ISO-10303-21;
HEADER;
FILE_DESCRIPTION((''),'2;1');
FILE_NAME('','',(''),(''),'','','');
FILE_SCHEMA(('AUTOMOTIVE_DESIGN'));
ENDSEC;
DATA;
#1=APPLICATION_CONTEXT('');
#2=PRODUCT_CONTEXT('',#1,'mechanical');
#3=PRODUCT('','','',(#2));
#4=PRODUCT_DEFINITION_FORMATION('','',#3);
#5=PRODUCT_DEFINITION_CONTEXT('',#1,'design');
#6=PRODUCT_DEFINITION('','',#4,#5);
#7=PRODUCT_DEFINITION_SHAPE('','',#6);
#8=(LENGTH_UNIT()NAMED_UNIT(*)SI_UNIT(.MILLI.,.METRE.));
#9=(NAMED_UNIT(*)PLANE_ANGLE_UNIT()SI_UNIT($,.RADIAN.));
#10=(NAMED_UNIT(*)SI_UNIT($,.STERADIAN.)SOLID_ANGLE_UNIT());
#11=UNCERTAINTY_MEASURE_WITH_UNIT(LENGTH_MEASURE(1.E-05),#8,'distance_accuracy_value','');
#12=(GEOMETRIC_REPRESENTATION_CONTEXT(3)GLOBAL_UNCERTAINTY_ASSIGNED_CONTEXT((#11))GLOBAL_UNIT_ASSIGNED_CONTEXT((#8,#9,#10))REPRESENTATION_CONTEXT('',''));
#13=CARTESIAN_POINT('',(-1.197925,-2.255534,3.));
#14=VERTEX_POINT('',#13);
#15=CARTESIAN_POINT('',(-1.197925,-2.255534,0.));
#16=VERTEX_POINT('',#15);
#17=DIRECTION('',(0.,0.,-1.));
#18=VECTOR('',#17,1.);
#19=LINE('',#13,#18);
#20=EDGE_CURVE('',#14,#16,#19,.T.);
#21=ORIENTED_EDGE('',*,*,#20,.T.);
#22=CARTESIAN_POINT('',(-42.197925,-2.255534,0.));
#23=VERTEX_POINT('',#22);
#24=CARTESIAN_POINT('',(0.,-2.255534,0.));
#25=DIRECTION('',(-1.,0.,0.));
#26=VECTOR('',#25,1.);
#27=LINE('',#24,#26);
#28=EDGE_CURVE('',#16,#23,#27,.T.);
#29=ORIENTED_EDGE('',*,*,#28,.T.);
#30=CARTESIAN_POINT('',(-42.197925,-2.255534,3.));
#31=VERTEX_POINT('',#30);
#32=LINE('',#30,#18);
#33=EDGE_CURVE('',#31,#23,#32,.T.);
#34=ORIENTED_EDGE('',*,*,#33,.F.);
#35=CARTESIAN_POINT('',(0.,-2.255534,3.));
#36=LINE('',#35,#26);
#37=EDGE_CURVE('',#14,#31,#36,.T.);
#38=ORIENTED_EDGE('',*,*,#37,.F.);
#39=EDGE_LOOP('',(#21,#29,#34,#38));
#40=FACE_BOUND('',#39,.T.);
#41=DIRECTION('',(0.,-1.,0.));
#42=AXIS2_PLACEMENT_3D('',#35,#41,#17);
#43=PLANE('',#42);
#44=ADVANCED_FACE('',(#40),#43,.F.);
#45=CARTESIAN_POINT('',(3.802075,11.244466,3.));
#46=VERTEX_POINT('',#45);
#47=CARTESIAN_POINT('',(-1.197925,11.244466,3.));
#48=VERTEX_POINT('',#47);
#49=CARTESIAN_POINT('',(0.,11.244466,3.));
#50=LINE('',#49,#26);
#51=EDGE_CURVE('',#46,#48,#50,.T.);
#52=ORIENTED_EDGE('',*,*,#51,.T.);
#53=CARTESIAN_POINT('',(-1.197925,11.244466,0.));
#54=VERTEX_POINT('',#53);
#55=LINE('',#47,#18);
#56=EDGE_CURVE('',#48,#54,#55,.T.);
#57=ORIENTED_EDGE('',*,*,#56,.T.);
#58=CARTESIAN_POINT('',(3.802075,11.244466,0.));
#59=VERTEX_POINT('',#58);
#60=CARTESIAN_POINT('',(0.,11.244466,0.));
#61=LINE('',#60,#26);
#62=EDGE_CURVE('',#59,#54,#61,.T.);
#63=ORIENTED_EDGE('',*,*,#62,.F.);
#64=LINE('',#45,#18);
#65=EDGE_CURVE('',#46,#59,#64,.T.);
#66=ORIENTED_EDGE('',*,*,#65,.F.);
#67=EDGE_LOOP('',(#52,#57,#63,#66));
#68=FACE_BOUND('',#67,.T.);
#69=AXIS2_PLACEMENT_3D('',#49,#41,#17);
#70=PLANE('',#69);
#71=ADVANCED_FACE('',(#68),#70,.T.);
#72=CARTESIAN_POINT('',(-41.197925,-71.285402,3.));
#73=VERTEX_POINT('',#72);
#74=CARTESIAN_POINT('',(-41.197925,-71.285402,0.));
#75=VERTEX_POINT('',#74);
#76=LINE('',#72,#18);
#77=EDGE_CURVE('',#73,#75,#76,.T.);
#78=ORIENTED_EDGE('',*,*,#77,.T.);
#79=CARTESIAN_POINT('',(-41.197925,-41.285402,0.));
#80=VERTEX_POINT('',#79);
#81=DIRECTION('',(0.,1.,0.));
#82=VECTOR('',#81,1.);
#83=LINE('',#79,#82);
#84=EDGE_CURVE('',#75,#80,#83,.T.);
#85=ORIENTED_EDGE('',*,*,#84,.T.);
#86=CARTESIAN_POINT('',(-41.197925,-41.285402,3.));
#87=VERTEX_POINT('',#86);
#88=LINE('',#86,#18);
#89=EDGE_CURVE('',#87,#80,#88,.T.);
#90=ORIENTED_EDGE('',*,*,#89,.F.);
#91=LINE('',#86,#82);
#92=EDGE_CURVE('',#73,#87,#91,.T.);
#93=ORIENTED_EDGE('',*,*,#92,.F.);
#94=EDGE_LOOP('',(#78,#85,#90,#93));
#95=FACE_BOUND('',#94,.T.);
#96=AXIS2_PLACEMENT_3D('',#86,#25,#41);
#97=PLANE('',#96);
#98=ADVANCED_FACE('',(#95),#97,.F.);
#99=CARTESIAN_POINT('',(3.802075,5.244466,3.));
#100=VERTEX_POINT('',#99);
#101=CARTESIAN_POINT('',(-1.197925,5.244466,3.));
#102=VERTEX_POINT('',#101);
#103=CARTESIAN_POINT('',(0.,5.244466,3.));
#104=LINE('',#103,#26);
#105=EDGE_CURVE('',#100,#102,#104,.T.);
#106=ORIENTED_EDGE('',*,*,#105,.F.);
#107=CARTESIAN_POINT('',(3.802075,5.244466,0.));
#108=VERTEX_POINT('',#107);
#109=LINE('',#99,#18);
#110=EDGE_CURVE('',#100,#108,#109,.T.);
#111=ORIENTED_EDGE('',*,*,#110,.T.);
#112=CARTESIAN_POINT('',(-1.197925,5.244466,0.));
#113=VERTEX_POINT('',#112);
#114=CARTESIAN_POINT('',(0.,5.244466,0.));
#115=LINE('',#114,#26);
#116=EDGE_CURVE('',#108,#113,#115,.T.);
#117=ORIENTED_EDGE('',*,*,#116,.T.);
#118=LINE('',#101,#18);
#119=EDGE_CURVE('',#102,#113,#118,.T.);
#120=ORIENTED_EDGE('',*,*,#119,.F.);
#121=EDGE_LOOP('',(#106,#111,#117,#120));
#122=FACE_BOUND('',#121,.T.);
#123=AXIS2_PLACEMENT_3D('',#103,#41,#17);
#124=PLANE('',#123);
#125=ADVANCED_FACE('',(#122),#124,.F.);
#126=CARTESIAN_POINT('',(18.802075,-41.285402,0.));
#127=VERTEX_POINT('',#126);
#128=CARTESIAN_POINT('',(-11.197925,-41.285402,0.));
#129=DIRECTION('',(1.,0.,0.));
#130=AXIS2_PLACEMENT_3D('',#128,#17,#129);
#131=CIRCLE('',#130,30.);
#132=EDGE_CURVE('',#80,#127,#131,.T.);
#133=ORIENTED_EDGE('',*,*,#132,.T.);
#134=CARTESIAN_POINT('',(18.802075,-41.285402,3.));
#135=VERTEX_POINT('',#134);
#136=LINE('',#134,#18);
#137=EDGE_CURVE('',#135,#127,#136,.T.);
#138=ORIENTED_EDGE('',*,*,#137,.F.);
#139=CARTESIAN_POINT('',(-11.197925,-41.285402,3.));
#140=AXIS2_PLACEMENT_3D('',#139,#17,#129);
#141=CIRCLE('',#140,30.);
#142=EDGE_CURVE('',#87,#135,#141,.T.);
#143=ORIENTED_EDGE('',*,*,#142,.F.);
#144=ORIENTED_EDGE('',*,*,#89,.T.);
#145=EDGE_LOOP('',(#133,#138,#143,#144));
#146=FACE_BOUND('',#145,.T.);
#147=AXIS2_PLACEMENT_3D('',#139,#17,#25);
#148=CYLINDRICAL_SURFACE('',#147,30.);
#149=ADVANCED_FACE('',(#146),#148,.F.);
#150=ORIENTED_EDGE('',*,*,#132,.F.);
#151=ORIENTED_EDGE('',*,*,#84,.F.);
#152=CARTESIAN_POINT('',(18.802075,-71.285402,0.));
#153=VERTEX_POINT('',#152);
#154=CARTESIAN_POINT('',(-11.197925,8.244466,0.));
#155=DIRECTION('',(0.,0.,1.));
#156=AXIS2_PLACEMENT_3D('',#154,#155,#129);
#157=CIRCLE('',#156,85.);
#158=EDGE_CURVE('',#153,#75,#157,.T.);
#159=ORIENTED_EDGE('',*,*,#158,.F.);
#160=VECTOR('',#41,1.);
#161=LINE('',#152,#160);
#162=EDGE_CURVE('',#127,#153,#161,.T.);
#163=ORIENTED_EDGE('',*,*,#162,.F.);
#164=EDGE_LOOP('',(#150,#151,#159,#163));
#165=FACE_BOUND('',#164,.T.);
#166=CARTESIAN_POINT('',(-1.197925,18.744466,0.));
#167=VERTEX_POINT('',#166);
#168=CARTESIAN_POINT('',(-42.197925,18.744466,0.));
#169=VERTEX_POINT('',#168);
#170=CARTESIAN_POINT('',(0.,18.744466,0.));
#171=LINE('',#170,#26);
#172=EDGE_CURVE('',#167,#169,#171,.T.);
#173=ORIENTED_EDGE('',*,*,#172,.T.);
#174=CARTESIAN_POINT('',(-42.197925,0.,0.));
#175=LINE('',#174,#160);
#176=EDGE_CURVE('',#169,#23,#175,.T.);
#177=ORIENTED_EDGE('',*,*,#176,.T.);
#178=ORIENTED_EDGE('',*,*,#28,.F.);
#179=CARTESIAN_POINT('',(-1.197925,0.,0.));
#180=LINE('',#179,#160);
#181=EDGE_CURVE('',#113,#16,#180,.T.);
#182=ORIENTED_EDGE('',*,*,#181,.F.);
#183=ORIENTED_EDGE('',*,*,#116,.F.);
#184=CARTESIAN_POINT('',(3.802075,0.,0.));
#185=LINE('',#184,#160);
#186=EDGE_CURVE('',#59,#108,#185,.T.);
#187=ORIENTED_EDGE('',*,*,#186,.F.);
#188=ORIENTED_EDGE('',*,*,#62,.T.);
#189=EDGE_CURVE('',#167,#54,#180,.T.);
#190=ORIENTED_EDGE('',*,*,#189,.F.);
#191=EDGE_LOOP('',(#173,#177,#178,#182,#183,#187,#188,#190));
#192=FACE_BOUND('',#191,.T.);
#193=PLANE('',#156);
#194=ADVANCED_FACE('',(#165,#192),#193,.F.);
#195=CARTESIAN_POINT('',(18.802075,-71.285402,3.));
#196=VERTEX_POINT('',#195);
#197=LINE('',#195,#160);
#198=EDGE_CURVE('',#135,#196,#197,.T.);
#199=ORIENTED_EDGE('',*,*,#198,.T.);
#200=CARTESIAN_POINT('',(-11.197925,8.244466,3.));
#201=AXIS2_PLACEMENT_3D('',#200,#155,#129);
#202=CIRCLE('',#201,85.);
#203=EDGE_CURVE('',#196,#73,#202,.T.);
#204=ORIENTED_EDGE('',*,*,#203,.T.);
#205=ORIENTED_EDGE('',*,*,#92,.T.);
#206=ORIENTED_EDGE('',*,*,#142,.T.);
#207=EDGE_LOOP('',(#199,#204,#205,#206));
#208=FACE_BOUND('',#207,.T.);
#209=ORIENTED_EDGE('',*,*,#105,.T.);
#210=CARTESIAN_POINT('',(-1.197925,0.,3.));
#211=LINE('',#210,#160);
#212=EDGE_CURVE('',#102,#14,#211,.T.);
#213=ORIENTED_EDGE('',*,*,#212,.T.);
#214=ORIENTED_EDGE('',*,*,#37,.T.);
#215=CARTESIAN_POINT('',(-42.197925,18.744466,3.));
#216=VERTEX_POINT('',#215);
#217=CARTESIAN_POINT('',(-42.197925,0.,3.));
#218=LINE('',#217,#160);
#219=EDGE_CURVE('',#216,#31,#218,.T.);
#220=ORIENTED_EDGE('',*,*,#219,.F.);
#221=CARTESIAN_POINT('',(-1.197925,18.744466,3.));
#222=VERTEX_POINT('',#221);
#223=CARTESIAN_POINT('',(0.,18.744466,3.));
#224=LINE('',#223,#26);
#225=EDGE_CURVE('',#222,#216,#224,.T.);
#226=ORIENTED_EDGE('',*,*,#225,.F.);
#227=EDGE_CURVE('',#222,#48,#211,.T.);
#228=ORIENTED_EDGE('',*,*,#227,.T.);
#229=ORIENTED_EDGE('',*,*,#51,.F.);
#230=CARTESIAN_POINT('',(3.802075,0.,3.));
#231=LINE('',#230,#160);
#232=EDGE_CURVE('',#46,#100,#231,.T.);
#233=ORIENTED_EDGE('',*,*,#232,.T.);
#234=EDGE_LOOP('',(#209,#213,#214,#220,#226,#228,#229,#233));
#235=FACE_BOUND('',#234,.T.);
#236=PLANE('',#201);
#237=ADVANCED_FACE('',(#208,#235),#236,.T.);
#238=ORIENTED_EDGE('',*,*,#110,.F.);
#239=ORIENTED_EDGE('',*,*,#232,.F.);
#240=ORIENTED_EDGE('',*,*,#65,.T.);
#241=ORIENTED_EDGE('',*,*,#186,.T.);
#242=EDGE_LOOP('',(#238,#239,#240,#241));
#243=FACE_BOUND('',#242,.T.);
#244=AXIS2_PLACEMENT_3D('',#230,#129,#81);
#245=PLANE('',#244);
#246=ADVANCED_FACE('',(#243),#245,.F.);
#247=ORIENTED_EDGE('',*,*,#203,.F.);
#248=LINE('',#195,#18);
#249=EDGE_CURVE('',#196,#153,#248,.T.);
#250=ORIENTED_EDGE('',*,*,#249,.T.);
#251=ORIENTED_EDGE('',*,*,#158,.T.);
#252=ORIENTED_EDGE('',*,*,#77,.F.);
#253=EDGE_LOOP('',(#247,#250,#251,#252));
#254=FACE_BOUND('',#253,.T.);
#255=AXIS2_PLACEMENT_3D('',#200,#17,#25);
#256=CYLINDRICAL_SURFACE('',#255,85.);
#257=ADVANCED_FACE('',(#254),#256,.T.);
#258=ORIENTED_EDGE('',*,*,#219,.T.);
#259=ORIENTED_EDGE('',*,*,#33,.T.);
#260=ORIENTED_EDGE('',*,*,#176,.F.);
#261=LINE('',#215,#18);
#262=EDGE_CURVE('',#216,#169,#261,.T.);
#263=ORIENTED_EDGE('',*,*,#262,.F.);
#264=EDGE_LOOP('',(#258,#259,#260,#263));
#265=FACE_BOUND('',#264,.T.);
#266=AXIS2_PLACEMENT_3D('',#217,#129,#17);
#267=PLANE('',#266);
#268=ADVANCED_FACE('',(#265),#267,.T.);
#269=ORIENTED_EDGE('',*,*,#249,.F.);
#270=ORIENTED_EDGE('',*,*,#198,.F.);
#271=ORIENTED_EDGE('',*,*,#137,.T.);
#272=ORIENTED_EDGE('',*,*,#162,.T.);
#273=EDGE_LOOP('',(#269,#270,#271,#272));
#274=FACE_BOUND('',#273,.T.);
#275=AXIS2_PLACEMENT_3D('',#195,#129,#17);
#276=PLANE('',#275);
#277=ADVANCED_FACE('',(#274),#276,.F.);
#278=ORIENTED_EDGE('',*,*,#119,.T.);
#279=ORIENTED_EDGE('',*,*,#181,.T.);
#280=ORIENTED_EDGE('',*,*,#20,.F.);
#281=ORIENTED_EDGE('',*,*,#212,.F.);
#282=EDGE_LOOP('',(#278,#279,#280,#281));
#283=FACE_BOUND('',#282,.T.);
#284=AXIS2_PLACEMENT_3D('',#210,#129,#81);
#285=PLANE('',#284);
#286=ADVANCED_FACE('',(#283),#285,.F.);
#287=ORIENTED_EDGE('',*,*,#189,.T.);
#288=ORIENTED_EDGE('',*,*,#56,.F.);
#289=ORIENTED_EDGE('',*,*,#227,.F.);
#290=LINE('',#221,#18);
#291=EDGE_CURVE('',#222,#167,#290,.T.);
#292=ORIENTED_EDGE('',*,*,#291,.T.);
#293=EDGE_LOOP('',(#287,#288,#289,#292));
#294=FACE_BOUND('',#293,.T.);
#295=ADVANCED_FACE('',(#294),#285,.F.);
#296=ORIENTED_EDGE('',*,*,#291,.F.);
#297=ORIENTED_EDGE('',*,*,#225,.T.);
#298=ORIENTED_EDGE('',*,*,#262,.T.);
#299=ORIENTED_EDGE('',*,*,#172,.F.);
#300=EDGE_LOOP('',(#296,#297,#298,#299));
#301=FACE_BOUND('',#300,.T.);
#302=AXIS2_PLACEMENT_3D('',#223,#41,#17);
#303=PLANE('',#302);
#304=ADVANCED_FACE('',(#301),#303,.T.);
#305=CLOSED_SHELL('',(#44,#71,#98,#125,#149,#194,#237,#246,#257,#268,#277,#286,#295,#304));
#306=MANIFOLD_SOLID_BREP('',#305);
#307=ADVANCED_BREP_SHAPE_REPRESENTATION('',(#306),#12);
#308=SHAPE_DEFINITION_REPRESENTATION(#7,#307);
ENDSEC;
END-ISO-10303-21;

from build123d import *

# Parameters (mm, degrees)
ESQUISSE1_R              = 85
BOSS_EXTRU_1_DEPTH       = 3
ESQUISSE2_R              = 1
ENL_V_MAT_EXTRU_1_DEPTH  = 3
ENL_V_MAT_EXTRU_10_DEPTH = 3


with BuildPart() as part:
    # Esquisse1 → Boss.-Extru.1 (new body)
    with BuildSketch(Plane.XY):
        with Locations((-11.197924537, 8.24446622)):
            Circle(ESQUISSE1_R)
    extrude(amount=BOSS_EXTRU_1_DEPTH)

    # Esquisse2 → Enlèv. mat.-Extru.1 (cut)
    # profile 1 of 2: a face of its own
    with BuildSketch(Plane(origin=(0, 0, 0), x_dir=(-1, 0, 0), z_dir=(0, 0, -1))):
        Polygon((-3.802075463, 11.24446622), (-3.802075463, 5.24446622), (1.197924537, 5.24446622), (1.197924537, -2.25553378), (42.197924537, -2.25553378), (42.197924537, 18.74446622), (1.197924537, 18.74446622), (1.197924537, 11.24446622), align=None)
        with Locations((11.197924537, 8.24446622)):
            Circle(ESQUISSE2_R, mode=Mode.SUBTRACT)
    # profile 2 of 2: a face of its own
    with BuildSketch(Plane(origin=(0, 0, 0), x_dir=(-1, 0, 0), z_dir=(0, 0, -1))):
        with Locations((11.197924537, 8.24446622)):
            Circle(ESQUISSE2_R)
    extrude(amount=-ENL_V_MAT_EXTRU_1_DEPTH, mode=Mode.SUBTRACT)

    # Esquisse3 → Enlèv. mat.-Extru.10 (cut)
    with BuildSketch(Plane(origin=(0, 0, 0), x_dir=(-1, 0, 0), z_dir=(0, 0, -1))):
        with BuildLine():
            Line((-18.802075463, -71.285402383), (-18.802075463, -41.285402383))
            ThreePointArc((-18.802075463, -41.285402383), (11.197924537, -11.285402383), (41.197924537, -41.285402383))
            Line((41.197924537, -41.285402383), (41.197924537, -71.285402383))
            ThreePointArc((41.197924537, -71.285402383), (11.197924537, -76.75553378), (-18.802075463, -71.285402383))
        make_face()
    extrude(amount=-ENL_V_MAT_EXTRU_10_DEPTH, mode=Mode.SUBTRACT)


solid = part.part
